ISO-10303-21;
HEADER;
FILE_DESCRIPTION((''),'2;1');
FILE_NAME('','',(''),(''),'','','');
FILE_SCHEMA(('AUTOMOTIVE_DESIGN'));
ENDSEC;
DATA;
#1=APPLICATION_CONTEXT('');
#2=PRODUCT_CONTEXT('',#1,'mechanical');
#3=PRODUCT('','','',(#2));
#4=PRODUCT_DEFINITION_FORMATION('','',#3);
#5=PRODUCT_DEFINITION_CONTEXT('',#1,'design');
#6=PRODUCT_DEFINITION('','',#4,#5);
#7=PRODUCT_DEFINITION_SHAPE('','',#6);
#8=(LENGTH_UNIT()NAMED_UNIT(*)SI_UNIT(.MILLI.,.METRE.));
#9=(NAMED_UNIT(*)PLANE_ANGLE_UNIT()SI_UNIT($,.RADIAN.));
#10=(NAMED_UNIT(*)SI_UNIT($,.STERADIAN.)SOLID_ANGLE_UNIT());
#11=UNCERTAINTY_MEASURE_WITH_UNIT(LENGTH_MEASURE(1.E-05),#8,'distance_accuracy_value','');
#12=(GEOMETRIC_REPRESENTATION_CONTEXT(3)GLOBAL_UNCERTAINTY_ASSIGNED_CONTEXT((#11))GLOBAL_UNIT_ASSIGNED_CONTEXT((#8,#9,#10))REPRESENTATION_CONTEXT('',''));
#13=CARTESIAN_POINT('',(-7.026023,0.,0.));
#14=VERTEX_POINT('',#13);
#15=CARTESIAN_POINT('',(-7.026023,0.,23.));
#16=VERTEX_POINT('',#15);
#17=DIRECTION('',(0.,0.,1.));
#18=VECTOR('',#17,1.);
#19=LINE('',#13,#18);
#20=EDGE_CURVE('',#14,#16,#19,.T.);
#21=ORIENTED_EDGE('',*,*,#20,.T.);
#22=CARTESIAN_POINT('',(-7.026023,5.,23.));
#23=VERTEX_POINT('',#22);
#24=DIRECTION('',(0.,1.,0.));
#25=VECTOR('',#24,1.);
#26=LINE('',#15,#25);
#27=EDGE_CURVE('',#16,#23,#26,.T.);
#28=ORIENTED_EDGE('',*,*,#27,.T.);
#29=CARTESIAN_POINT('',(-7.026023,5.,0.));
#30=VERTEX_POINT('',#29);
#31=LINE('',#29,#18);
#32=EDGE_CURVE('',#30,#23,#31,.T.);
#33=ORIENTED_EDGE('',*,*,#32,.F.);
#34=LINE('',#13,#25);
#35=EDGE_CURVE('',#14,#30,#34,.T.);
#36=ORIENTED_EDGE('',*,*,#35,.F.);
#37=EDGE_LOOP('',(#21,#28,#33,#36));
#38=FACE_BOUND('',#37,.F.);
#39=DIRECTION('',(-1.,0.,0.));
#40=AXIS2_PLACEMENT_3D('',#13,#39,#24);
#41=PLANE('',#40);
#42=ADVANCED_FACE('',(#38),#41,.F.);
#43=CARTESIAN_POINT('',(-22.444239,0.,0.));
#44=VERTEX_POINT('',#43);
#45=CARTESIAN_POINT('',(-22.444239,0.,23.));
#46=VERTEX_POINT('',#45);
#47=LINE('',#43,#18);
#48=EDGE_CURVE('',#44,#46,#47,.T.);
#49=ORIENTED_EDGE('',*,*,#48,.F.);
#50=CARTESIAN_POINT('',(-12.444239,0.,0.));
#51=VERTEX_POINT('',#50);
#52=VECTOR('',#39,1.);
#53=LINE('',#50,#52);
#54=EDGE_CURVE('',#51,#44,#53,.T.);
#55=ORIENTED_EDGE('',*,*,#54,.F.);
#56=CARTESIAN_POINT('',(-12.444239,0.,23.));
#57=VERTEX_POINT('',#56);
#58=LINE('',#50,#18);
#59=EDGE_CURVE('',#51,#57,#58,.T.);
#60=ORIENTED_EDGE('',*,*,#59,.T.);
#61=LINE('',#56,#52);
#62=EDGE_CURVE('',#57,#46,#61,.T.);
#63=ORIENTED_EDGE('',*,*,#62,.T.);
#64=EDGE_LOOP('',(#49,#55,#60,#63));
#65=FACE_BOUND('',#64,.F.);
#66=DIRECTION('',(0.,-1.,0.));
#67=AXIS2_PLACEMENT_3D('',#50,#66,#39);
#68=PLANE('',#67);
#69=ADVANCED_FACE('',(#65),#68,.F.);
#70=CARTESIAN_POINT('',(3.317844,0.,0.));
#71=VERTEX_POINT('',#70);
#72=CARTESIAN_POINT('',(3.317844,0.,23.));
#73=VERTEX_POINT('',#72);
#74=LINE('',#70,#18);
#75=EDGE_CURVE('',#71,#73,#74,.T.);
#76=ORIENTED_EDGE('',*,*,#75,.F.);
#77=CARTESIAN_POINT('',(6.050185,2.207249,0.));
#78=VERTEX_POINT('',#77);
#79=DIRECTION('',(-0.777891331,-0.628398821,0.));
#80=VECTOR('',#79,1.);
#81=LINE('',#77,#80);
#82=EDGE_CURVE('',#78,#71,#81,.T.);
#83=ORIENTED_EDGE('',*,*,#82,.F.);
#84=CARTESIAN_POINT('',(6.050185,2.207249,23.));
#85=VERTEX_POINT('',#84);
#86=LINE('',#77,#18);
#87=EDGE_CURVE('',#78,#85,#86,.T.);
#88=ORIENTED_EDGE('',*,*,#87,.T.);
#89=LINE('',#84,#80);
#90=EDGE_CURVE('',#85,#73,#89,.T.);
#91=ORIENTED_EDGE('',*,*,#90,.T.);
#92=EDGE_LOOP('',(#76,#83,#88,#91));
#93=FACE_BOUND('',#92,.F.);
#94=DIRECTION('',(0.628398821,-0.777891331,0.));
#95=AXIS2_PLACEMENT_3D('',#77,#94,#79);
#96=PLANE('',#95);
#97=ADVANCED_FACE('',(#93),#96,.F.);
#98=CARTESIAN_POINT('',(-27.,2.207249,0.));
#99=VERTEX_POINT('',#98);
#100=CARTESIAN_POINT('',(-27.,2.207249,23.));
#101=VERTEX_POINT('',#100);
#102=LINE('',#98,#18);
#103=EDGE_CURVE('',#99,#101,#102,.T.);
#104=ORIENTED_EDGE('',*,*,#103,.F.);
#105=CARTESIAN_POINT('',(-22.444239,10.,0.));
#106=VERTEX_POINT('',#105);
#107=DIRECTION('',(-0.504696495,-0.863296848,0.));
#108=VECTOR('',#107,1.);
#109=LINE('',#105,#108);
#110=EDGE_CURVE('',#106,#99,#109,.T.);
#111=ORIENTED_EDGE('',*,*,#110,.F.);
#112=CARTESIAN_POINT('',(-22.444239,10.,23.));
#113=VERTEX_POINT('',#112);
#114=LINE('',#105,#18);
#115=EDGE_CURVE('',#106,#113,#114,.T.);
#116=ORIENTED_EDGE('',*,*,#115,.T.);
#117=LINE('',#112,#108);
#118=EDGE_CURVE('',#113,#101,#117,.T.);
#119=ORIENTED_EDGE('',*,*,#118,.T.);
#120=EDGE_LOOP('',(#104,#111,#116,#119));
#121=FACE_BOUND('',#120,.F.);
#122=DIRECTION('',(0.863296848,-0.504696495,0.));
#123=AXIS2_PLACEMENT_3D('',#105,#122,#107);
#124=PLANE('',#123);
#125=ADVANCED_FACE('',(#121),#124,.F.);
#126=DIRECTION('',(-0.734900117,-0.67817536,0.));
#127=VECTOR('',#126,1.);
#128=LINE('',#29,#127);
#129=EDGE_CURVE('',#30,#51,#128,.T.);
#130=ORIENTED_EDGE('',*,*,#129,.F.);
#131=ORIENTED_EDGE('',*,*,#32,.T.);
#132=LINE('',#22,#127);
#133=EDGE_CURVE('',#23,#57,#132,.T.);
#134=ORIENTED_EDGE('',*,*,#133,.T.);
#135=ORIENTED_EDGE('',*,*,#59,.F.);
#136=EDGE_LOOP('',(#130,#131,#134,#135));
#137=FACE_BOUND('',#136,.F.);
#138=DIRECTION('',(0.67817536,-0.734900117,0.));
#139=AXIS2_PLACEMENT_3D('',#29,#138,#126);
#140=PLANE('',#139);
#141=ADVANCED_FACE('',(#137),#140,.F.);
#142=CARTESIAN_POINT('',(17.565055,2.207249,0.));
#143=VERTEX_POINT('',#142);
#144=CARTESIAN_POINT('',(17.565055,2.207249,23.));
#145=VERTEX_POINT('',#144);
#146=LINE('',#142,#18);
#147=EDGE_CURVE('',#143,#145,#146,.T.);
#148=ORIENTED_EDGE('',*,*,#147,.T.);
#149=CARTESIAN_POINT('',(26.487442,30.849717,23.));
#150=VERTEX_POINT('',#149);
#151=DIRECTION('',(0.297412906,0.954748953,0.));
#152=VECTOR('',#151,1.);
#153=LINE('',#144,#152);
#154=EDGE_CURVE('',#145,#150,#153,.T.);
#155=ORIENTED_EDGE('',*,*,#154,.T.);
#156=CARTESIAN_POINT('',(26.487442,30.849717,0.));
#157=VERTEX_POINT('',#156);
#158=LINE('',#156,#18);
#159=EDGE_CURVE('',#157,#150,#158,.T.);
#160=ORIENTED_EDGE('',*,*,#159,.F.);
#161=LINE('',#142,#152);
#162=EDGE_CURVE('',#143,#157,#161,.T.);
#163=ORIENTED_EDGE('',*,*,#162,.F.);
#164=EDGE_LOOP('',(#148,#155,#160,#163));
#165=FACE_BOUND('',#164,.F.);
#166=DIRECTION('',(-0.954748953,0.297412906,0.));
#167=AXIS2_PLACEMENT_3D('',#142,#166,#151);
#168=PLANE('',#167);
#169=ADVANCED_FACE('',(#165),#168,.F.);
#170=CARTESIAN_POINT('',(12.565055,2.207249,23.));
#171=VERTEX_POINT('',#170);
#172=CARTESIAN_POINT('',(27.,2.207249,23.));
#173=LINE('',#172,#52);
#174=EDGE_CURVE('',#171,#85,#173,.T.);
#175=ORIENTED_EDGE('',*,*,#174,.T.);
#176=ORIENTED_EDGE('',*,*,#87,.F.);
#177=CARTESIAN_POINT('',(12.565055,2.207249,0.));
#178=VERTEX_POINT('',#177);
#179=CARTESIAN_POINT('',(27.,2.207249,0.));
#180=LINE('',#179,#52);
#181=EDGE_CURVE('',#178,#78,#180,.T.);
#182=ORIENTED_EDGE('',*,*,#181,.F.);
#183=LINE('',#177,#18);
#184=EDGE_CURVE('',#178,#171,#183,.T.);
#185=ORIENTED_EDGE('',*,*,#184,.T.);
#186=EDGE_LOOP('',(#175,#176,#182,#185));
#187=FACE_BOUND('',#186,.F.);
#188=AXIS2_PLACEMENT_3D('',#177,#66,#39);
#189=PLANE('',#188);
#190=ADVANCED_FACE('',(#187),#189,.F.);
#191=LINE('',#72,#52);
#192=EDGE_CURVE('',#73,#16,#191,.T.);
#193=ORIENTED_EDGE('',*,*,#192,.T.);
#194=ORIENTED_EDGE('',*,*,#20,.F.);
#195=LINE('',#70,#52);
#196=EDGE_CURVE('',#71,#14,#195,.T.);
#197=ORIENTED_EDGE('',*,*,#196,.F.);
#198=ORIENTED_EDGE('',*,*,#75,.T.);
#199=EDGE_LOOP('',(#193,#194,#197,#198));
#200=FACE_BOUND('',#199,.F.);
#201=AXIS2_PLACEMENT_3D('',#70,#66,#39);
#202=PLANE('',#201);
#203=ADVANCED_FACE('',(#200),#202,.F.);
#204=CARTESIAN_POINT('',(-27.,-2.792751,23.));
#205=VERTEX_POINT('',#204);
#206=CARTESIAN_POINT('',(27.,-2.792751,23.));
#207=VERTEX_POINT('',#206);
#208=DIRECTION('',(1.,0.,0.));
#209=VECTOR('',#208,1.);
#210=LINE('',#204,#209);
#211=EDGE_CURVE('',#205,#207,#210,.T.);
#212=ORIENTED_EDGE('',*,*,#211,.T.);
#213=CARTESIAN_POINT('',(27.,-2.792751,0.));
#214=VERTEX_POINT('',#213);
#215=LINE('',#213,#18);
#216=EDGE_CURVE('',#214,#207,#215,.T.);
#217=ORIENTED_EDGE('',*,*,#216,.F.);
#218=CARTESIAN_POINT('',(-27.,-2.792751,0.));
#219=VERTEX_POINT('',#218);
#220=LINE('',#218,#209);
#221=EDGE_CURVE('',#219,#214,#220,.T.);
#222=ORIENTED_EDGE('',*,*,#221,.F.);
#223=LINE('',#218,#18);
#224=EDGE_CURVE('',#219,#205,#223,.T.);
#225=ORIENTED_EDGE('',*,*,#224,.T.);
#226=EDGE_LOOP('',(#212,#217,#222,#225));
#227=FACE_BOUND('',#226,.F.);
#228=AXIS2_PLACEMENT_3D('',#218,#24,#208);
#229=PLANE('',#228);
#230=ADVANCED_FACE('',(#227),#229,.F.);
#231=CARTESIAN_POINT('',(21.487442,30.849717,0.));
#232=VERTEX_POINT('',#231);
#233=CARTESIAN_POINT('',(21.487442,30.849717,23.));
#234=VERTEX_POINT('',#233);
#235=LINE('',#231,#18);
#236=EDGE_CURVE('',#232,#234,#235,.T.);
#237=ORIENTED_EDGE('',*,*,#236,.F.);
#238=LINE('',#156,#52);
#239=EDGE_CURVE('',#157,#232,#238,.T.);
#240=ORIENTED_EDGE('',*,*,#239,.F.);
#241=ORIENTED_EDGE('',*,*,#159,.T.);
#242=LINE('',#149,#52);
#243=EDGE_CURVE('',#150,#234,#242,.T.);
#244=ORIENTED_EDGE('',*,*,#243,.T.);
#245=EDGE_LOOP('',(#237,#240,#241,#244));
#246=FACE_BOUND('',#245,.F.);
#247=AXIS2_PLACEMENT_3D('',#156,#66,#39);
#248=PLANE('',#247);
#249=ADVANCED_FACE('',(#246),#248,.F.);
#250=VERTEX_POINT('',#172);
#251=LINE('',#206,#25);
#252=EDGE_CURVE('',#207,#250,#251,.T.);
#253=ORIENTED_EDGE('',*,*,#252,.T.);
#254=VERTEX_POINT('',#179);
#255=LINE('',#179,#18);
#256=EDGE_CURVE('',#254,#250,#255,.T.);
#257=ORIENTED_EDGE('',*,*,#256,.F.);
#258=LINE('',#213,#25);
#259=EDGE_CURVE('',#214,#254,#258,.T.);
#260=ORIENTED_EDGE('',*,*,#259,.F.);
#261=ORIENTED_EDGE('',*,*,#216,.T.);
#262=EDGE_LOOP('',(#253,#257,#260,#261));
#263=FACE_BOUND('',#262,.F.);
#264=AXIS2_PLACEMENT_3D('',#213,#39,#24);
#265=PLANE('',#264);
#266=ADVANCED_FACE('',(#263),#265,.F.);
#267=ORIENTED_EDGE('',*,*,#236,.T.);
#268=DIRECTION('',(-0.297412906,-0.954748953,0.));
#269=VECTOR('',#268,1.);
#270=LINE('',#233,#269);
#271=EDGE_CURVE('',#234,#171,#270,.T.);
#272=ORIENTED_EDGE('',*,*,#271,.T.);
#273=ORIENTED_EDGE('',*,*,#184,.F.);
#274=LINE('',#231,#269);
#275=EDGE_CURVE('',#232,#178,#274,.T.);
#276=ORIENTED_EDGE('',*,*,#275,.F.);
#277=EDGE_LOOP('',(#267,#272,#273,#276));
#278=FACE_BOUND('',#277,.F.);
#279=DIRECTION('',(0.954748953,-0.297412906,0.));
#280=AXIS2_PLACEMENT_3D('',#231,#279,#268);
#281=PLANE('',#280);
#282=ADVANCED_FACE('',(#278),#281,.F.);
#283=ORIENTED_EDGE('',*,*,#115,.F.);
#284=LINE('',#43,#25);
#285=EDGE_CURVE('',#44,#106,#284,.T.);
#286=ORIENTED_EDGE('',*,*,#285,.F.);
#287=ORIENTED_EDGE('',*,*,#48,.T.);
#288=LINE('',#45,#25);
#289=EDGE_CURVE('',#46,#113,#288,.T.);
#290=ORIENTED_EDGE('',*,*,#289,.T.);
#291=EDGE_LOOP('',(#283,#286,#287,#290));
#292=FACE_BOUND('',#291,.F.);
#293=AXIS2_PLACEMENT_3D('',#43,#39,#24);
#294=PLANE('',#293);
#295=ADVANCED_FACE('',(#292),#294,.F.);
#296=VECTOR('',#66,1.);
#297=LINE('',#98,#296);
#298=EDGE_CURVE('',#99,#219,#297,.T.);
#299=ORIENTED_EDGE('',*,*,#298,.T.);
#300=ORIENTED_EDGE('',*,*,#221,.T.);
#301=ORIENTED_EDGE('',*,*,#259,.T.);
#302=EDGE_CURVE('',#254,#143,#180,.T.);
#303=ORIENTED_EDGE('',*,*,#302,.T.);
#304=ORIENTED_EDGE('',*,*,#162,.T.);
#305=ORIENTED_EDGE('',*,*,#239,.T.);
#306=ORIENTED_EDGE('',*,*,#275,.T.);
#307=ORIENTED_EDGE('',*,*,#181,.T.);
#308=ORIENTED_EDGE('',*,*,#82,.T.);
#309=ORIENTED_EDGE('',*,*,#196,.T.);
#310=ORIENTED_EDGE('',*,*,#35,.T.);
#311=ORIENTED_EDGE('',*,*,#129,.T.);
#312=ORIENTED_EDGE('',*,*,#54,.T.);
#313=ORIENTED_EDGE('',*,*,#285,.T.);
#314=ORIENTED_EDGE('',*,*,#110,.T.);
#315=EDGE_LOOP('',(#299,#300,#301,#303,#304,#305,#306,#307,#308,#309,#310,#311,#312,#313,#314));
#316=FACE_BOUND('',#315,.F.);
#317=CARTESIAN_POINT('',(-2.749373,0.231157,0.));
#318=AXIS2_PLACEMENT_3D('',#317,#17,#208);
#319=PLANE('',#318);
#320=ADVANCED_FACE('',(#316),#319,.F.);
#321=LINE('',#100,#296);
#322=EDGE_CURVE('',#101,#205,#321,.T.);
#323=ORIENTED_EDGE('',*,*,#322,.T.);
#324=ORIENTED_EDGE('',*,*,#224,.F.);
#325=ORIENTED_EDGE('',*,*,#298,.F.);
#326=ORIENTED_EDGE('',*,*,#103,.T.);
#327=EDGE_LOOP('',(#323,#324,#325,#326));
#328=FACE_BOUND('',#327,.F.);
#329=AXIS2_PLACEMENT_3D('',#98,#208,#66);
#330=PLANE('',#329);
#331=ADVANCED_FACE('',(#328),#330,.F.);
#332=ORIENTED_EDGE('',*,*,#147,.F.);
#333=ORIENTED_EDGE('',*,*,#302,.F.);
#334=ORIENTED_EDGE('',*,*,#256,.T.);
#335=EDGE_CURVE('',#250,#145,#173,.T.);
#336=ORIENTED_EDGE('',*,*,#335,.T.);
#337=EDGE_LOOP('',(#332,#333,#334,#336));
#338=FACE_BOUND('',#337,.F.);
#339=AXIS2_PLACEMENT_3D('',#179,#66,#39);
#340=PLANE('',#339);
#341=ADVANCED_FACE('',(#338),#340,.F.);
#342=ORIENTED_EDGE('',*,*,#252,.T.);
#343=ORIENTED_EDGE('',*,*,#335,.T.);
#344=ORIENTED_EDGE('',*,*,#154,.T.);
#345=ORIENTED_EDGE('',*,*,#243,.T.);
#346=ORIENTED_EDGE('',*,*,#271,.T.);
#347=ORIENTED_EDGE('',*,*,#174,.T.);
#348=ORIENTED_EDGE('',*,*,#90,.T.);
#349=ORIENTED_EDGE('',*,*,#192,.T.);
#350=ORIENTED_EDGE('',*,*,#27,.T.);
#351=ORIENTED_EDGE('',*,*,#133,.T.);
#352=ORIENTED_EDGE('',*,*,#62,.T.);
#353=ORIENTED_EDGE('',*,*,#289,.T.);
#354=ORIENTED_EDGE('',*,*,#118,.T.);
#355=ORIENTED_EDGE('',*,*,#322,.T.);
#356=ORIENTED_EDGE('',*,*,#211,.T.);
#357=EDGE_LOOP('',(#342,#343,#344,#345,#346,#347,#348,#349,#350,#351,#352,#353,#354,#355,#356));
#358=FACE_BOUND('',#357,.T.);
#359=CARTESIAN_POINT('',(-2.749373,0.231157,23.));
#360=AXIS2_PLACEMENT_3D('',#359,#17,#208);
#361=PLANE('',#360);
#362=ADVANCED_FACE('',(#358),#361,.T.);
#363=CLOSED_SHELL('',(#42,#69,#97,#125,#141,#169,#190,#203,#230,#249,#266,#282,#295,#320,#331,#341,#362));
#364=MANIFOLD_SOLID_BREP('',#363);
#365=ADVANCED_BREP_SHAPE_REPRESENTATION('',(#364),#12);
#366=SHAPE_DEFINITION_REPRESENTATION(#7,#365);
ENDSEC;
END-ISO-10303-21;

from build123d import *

# Parameters (mm, degrees)
F1_DEPTH = 23


with BuildPart() as f1:
    # F0 (on Top) → F1 (new body)
    with BuildSketch(Plane.XY):
        Polygon((-27, 2.207249), (-27, -2.792751), (27, -2.792751), (27, 2.207249), (17.565055, 2.207249), (12.565055, 2.207249), (6.050185, 2.207249), (3.317844, 0), (-6.682156, 0), (-7.026023, 0), (-7.026023, 5), (-12.444239, 0), (-22.444239, 0), (-22.444239, 10), align=None)
        Polygon((12.565055, 2.207249), (17.565055, 2.207249), (26.487442, 30.849717), (21.487442, 30.849717), align=None)
    extrude(amount=F1_DEPTH)


solid = f1.part
